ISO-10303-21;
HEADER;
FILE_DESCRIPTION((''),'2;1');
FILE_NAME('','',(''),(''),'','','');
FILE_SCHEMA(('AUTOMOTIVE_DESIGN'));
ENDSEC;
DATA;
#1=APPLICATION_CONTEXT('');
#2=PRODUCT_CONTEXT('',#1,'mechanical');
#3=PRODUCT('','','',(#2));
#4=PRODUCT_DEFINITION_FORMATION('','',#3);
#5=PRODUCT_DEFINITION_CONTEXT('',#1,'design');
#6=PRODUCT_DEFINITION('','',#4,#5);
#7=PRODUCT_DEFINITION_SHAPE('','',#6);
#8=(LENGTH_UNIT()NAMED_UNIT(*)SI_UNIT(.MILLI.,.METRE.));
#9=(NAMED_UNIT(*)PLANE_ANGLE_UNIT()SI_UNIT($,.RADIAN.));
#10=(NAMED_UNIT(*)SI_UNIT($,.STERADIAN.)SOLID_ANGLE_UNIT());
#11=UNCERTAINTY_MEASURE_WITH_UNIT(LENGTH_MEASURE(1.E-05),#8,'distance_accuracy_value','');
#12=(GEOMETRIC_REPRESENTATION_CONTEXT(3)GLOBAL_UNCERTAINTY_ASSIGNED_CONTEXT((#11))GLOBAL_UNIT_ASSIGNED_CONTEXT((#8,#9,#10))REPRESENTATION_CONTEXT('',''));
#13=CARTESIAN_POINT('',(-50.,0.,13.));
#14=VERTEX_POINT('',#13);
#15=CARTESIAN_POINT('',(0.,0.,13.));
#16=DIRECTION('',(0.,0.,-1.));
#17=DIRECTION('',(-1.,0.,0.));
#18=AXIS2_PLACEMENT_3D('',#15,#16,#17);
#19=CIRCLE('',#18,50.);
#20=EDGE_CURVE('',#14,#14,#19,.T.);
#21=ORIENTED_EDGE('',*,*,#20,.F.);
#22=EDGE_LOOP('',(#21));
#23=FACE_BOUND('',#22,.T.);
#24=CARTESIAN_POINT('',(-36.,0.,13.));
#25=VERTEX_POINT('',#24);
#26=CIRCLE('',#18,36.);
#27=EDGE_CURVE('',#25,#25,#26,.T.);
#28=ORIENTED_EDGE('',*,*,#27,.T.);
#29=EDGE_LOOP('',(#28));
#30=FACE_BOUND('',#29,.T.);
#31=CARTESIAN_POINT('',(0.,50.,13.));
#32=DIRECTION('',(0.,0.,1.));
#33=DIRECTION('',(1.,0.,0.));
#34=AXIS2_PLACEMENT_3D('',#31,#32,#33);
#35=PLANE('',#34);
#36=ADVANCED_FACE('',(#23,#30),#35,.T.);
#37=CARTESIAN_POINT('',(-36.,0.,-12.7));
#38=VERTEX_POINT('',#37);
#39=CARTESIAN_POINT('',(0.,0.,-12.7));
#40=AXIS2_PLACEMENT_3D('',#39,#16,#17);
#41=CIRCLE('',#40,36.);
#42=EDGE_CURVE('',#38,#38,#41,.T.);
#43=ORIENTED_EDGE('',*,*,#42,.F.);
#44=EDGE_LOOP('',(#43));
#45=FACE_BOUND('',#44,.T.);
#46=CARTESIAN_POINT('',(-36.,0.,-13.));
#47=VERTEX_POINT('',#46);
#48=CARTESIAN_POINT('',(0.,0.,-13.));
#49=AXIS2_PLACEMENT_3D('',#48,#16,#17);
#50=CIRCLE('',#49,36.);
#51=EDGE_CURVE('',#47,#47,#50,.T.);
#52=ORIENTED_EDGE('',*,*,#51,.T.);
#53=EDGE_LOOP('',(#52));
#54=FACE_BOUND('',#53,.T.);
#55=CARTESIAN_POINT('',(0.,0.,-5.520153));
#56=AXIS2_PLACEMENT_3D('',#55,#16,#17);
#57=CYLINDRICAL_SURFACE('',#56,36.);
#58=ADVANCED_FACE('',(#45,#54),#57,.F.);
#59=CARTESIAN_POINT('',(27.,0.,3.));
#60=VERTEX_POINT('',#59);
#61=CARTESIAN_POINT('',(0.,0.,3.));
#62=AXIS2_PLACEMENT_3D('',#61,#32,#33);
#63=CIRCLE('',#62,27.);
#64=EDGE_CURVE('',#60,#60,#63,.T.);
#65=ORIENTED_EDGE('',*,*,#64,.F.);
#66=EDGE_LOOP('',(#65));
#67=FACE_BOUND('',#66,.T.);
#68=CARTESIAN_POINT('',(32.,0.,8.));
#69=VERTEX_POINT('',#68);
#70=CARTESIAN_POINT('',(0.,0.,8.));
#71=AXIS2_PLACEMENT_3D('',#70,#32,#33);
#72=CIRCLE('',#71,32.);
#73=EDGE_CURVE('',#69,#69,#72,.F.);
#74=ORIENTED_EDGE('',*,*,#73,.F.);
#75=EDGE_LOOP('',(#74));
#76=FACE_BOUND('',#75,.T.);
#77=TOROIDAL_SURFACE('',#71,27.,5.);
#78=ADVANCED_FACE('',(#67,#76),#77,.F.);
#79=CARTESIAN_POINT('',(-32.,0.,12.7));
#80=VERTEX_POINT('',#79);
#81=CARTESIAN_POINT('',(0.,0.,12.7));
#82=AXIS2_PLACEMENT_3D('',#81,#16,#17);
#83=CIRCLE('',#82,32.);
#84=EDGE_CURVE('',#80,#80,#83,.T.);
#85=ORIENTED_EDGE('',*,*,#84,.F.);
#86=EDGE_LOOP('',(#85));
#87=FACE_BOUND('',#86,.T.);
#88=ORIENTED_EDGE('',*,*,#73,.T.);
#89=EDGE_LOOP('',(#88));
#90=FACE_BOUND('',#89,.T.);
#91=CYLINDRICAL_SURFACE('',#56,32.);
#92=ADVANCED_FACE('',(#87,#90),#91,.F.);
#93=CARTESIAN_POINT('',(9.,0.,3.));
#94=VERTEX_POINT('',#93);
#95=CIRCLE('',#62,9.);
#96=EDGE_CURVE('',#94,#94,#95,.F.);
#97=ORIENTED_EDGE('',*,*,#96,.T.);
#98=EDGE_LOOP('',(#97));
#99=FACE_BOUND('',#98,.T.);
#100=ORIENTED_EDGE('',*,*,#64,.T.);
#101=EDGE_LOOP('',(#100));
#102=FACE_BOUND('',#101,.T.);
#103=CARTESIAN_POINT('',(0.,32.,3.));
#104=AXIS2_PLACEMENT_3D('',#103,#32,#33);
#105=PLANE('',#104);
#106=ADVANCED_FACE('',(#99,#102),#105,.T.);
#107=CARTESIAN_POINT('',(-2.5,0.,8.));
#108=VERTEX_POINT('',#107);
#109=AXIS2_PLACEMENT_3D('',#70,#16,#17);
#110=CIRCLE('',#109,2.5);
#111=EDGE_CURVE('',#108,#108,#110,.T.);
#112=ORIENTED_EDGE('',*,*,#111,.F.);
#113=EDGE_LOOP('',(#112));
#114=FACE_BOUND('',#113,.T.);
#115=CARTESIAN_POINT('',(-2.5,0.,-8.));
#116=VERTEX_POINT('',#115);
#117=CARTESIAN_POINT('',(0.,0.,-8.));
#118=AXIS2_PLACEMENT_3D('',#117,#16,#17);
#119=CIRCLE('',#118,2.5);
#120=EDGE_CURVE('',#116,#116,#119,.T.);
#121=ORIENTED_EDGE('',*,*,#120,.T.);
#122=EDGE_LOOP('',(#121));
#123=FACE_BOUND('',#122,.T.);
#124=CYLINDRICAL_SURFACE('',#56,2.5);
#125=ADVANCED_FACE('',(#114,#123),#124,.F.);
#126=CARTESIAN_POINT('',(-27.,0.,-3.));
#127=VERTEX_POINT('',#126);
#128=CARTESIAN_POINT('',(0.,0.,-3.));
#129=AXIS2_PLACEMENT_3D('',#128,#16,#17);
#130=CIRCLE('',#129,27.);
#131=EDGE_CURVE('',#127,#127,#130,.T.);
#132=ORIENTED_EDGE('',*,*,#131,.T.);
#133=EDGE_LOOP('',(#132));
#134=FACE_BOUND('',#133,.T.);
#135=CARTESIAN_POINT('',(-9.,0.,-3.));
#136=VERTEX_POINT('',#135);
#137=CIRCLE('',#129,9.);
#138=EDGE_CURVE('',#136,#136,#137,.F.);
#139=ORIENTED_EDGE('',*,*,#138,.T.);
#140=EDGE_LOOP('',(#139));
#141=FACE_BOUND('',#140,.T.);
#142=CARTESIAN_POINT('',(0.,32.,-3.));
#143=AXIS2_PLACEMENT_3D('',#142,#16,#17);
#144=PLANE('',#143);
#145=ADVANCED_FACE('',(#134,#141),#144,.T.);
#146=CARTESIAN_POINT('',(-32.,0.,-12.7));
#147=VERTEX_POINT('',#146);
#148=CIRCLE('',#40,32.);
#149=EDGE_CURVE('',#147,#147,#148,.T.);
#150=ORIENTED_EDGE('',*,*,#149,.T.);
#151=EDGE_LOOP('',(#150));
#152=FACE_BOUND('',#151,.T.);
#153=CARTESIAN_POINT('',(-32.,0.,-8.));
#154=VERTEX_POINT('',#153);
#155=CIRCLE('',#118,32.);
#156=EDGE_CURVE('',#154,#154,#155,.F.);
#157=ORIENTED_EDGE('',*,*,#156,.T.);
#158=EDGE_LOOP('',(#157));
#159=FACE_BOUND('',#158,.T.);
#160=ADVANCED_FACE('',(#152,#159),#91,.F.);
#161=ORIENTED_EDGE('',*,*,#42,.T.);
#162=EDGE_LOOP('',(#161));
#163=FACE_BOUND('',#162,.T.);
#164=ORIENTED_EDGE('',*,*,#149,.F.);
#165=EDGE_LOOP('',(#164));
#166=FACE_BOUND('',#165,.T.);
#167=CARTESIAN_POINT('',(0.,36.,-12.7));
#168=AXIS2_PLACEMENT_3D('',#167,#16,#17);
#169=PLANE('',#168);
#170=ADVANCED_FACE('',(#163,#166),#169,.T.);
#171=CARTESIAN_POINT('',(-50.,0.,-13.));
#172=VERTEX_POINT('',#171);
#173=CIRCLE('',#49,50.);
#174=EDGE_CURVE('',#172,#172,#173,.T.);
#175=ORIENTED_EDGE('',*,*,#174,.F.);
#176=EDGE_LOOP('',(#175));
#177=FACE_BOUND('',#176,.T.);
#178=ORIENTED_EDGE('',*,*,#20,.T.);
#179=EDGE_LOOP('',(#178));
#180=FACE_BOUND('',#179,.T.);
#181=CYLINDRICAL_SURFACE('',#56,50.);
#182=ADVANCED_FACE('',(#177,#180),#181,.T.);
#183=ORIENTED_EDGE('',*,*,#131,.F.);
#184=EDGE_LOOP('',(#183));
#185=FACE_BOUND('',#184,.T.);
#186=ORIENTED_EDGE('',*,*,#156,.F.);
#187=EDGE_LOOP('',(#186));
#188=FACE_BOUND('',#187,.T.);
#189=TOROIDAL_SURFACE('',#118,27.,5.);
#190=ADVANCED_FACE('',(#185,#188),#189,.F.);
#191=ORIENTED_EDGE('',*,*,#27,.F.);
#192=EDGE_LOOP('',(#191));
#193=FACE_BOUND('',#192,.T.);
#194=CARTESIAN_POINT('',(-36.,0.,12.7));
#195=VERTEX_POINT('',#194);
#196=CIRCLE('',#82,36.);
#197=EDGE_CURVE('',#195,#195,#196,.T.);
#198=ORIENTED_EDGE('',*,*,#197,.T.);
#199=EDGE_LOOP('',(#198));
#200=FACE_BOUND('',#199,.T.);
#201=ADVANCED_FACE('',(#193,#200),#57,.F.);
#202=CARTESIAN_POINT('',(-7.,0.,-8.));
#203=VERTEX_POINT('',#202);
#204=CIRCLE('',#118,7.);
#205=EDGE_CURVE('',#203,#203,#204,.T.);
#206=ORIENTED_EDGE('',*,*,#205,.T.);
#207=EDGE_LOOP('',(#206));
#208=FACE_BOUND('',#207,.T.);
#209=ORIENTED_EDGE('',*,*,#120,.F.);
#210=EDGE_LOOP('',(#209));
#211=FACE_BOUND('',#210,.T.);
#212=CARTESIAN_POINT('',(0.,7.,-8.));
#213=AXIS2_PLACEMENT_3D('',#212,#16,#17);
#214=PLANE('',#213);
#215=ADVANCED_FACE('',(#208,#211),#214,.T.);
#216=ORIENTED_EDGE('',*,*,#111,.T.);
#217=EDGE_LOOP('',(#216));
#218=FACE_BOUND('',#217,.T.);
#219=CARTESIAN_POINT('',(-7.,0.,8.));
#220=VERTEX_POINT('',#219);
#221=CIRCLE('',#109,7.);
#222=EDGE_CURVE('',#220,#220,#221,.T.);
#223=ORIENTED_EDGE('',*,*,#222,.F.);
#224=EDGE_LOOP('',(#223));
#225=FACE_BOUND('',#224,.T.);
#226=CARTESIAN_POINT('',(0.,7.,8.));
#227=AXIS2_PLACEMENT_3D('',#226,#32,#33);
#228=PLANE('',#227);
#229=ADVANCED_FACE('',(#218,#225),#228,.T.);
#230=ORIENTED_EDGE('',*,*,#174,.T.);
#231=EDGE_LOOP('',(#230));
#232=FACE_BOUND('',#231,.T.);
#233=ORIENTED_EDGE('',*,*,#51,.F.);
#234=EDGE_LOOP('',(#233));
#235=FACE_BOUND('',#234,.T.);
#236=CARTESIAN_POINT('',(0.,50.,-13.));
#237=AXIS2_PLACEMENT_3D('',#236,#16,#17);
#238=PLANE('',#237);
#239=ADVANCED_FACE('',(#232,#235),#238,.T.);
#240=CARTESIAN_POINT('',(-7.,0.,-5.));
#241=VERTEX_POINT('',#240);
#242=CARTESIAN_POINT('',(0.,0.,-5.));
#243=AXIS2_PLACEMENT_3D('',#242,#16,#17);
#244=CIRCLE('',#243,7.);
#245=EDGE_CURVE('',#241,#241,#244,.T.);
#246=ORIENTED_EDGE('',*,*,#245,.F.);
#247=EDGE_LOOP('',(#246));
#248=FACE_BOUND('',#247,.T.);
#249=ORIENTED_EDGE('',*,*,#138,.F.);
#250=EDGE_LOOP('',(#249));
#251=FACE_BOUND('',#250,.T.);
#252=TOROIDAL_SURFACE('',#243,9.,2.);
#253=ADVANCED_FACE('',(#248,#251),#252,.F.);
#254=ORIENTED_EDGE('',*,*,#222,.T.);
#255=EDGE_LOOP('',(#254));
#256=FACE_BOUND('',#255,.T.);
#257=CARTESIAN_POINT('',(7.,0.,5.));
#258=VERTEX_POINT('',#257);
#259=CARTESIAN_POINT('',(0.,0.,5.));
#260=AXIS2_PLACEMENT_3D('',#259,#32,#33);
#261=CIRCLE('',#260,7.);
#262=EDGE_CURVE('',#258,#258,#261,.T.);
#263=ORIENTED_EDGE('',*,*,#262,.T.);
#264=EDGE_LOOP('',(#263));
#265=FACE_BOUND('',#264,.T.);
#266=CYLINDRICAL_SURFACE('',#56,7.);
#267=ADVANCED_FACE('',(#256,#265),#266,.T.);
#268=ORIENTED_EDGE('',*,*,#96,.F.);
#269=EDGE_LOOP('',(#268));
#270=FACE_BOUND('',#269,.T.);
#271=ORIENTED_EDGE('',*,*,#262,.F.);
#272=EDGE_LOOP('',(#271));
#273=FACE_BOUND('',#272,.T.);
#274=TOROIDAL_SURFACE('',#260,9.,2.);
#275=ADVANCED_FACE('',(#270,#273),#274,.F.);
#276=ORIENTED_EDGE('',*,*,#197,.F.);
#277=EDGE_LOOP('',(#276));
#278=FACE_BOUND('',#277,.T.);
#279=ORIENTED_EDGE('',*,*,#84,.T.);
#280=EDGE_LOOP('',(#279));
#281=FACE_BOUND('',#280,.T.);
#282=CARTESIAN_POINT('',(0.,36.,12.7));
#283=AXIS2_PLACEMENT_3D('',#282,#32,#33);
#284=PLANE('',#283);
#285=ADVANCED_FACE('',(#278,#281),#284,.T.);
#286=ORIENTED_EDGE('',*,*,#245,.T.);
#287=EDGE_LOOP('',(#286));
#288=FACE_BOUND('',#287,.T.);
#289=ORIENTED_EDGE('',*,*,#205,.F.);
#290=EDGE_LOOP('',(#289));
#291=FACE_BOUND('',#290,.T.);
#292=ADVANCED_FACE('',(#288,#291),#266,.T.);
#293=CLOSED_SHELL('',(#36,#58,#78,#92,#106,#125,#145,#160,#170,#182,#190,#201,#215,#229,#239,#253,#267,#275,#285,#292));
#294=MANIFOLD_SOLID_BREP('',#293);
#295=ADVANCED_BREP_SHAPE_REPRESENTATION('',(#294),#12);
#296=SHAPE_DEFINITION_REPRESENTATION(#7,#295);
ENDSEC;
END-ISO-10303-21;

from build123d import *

# Parameters (mm, degrees)
FILLET1_R = 5
FILLET2_R = 2
FILLET3_R = 5
FILLET4_R = 2


with BuildPart() as part:
    # Sketch2 → Revolve2 (revolve)
    with BuildSketch(Plane(origin=(0, 0, 0), x_dir=(0, 0, -1), z_dir=(1, 0, 0))):
        Polygon((-8, 2.5), (8, 2.5), (8, 7), (3, 7), (3, 32), (12.7, 32), (12.7, 36), (13, 36), (13, 50), (-13, 50), (-13, 36), (-12.7, 36), (-12.7, 32), (-3, 32), (-3, 7), (-8, 7), align=None)
    revolve(axis=Axis((0, 0, -5.520153215), (0, 0, 1)))

    # Fillet1
    fillet1_edges = [part.edges().sort_by_distance(p)[0] for p in [
        (0, -32, -3),
    ]]
    fillet(fillet1_edges, radius=FILLET1_R)

    # Fillet2
    fillet2_edges = [part.edges().sort_by_distance(p)[0] for p in [
        (0, -7, -3),
    ]]
    fillet(fillet2_edges, radius=FILLET2_R)

    # Fillet3
    fillet3_edges = [part.edges().sort_by_distance(p)[0] for p in [
        (0, -32, 3),
    ]]
    fillet(fillet3_edges, radius=FILLET3_R)

    # Fillet4
    fillet4_edges = [part.edges().sort_by_distance(p)[0] for p in [
        (0, -7, 3),
    ]]
    fillet(fillet4_edges, radius=FILLET4_R)


solid = part.part
